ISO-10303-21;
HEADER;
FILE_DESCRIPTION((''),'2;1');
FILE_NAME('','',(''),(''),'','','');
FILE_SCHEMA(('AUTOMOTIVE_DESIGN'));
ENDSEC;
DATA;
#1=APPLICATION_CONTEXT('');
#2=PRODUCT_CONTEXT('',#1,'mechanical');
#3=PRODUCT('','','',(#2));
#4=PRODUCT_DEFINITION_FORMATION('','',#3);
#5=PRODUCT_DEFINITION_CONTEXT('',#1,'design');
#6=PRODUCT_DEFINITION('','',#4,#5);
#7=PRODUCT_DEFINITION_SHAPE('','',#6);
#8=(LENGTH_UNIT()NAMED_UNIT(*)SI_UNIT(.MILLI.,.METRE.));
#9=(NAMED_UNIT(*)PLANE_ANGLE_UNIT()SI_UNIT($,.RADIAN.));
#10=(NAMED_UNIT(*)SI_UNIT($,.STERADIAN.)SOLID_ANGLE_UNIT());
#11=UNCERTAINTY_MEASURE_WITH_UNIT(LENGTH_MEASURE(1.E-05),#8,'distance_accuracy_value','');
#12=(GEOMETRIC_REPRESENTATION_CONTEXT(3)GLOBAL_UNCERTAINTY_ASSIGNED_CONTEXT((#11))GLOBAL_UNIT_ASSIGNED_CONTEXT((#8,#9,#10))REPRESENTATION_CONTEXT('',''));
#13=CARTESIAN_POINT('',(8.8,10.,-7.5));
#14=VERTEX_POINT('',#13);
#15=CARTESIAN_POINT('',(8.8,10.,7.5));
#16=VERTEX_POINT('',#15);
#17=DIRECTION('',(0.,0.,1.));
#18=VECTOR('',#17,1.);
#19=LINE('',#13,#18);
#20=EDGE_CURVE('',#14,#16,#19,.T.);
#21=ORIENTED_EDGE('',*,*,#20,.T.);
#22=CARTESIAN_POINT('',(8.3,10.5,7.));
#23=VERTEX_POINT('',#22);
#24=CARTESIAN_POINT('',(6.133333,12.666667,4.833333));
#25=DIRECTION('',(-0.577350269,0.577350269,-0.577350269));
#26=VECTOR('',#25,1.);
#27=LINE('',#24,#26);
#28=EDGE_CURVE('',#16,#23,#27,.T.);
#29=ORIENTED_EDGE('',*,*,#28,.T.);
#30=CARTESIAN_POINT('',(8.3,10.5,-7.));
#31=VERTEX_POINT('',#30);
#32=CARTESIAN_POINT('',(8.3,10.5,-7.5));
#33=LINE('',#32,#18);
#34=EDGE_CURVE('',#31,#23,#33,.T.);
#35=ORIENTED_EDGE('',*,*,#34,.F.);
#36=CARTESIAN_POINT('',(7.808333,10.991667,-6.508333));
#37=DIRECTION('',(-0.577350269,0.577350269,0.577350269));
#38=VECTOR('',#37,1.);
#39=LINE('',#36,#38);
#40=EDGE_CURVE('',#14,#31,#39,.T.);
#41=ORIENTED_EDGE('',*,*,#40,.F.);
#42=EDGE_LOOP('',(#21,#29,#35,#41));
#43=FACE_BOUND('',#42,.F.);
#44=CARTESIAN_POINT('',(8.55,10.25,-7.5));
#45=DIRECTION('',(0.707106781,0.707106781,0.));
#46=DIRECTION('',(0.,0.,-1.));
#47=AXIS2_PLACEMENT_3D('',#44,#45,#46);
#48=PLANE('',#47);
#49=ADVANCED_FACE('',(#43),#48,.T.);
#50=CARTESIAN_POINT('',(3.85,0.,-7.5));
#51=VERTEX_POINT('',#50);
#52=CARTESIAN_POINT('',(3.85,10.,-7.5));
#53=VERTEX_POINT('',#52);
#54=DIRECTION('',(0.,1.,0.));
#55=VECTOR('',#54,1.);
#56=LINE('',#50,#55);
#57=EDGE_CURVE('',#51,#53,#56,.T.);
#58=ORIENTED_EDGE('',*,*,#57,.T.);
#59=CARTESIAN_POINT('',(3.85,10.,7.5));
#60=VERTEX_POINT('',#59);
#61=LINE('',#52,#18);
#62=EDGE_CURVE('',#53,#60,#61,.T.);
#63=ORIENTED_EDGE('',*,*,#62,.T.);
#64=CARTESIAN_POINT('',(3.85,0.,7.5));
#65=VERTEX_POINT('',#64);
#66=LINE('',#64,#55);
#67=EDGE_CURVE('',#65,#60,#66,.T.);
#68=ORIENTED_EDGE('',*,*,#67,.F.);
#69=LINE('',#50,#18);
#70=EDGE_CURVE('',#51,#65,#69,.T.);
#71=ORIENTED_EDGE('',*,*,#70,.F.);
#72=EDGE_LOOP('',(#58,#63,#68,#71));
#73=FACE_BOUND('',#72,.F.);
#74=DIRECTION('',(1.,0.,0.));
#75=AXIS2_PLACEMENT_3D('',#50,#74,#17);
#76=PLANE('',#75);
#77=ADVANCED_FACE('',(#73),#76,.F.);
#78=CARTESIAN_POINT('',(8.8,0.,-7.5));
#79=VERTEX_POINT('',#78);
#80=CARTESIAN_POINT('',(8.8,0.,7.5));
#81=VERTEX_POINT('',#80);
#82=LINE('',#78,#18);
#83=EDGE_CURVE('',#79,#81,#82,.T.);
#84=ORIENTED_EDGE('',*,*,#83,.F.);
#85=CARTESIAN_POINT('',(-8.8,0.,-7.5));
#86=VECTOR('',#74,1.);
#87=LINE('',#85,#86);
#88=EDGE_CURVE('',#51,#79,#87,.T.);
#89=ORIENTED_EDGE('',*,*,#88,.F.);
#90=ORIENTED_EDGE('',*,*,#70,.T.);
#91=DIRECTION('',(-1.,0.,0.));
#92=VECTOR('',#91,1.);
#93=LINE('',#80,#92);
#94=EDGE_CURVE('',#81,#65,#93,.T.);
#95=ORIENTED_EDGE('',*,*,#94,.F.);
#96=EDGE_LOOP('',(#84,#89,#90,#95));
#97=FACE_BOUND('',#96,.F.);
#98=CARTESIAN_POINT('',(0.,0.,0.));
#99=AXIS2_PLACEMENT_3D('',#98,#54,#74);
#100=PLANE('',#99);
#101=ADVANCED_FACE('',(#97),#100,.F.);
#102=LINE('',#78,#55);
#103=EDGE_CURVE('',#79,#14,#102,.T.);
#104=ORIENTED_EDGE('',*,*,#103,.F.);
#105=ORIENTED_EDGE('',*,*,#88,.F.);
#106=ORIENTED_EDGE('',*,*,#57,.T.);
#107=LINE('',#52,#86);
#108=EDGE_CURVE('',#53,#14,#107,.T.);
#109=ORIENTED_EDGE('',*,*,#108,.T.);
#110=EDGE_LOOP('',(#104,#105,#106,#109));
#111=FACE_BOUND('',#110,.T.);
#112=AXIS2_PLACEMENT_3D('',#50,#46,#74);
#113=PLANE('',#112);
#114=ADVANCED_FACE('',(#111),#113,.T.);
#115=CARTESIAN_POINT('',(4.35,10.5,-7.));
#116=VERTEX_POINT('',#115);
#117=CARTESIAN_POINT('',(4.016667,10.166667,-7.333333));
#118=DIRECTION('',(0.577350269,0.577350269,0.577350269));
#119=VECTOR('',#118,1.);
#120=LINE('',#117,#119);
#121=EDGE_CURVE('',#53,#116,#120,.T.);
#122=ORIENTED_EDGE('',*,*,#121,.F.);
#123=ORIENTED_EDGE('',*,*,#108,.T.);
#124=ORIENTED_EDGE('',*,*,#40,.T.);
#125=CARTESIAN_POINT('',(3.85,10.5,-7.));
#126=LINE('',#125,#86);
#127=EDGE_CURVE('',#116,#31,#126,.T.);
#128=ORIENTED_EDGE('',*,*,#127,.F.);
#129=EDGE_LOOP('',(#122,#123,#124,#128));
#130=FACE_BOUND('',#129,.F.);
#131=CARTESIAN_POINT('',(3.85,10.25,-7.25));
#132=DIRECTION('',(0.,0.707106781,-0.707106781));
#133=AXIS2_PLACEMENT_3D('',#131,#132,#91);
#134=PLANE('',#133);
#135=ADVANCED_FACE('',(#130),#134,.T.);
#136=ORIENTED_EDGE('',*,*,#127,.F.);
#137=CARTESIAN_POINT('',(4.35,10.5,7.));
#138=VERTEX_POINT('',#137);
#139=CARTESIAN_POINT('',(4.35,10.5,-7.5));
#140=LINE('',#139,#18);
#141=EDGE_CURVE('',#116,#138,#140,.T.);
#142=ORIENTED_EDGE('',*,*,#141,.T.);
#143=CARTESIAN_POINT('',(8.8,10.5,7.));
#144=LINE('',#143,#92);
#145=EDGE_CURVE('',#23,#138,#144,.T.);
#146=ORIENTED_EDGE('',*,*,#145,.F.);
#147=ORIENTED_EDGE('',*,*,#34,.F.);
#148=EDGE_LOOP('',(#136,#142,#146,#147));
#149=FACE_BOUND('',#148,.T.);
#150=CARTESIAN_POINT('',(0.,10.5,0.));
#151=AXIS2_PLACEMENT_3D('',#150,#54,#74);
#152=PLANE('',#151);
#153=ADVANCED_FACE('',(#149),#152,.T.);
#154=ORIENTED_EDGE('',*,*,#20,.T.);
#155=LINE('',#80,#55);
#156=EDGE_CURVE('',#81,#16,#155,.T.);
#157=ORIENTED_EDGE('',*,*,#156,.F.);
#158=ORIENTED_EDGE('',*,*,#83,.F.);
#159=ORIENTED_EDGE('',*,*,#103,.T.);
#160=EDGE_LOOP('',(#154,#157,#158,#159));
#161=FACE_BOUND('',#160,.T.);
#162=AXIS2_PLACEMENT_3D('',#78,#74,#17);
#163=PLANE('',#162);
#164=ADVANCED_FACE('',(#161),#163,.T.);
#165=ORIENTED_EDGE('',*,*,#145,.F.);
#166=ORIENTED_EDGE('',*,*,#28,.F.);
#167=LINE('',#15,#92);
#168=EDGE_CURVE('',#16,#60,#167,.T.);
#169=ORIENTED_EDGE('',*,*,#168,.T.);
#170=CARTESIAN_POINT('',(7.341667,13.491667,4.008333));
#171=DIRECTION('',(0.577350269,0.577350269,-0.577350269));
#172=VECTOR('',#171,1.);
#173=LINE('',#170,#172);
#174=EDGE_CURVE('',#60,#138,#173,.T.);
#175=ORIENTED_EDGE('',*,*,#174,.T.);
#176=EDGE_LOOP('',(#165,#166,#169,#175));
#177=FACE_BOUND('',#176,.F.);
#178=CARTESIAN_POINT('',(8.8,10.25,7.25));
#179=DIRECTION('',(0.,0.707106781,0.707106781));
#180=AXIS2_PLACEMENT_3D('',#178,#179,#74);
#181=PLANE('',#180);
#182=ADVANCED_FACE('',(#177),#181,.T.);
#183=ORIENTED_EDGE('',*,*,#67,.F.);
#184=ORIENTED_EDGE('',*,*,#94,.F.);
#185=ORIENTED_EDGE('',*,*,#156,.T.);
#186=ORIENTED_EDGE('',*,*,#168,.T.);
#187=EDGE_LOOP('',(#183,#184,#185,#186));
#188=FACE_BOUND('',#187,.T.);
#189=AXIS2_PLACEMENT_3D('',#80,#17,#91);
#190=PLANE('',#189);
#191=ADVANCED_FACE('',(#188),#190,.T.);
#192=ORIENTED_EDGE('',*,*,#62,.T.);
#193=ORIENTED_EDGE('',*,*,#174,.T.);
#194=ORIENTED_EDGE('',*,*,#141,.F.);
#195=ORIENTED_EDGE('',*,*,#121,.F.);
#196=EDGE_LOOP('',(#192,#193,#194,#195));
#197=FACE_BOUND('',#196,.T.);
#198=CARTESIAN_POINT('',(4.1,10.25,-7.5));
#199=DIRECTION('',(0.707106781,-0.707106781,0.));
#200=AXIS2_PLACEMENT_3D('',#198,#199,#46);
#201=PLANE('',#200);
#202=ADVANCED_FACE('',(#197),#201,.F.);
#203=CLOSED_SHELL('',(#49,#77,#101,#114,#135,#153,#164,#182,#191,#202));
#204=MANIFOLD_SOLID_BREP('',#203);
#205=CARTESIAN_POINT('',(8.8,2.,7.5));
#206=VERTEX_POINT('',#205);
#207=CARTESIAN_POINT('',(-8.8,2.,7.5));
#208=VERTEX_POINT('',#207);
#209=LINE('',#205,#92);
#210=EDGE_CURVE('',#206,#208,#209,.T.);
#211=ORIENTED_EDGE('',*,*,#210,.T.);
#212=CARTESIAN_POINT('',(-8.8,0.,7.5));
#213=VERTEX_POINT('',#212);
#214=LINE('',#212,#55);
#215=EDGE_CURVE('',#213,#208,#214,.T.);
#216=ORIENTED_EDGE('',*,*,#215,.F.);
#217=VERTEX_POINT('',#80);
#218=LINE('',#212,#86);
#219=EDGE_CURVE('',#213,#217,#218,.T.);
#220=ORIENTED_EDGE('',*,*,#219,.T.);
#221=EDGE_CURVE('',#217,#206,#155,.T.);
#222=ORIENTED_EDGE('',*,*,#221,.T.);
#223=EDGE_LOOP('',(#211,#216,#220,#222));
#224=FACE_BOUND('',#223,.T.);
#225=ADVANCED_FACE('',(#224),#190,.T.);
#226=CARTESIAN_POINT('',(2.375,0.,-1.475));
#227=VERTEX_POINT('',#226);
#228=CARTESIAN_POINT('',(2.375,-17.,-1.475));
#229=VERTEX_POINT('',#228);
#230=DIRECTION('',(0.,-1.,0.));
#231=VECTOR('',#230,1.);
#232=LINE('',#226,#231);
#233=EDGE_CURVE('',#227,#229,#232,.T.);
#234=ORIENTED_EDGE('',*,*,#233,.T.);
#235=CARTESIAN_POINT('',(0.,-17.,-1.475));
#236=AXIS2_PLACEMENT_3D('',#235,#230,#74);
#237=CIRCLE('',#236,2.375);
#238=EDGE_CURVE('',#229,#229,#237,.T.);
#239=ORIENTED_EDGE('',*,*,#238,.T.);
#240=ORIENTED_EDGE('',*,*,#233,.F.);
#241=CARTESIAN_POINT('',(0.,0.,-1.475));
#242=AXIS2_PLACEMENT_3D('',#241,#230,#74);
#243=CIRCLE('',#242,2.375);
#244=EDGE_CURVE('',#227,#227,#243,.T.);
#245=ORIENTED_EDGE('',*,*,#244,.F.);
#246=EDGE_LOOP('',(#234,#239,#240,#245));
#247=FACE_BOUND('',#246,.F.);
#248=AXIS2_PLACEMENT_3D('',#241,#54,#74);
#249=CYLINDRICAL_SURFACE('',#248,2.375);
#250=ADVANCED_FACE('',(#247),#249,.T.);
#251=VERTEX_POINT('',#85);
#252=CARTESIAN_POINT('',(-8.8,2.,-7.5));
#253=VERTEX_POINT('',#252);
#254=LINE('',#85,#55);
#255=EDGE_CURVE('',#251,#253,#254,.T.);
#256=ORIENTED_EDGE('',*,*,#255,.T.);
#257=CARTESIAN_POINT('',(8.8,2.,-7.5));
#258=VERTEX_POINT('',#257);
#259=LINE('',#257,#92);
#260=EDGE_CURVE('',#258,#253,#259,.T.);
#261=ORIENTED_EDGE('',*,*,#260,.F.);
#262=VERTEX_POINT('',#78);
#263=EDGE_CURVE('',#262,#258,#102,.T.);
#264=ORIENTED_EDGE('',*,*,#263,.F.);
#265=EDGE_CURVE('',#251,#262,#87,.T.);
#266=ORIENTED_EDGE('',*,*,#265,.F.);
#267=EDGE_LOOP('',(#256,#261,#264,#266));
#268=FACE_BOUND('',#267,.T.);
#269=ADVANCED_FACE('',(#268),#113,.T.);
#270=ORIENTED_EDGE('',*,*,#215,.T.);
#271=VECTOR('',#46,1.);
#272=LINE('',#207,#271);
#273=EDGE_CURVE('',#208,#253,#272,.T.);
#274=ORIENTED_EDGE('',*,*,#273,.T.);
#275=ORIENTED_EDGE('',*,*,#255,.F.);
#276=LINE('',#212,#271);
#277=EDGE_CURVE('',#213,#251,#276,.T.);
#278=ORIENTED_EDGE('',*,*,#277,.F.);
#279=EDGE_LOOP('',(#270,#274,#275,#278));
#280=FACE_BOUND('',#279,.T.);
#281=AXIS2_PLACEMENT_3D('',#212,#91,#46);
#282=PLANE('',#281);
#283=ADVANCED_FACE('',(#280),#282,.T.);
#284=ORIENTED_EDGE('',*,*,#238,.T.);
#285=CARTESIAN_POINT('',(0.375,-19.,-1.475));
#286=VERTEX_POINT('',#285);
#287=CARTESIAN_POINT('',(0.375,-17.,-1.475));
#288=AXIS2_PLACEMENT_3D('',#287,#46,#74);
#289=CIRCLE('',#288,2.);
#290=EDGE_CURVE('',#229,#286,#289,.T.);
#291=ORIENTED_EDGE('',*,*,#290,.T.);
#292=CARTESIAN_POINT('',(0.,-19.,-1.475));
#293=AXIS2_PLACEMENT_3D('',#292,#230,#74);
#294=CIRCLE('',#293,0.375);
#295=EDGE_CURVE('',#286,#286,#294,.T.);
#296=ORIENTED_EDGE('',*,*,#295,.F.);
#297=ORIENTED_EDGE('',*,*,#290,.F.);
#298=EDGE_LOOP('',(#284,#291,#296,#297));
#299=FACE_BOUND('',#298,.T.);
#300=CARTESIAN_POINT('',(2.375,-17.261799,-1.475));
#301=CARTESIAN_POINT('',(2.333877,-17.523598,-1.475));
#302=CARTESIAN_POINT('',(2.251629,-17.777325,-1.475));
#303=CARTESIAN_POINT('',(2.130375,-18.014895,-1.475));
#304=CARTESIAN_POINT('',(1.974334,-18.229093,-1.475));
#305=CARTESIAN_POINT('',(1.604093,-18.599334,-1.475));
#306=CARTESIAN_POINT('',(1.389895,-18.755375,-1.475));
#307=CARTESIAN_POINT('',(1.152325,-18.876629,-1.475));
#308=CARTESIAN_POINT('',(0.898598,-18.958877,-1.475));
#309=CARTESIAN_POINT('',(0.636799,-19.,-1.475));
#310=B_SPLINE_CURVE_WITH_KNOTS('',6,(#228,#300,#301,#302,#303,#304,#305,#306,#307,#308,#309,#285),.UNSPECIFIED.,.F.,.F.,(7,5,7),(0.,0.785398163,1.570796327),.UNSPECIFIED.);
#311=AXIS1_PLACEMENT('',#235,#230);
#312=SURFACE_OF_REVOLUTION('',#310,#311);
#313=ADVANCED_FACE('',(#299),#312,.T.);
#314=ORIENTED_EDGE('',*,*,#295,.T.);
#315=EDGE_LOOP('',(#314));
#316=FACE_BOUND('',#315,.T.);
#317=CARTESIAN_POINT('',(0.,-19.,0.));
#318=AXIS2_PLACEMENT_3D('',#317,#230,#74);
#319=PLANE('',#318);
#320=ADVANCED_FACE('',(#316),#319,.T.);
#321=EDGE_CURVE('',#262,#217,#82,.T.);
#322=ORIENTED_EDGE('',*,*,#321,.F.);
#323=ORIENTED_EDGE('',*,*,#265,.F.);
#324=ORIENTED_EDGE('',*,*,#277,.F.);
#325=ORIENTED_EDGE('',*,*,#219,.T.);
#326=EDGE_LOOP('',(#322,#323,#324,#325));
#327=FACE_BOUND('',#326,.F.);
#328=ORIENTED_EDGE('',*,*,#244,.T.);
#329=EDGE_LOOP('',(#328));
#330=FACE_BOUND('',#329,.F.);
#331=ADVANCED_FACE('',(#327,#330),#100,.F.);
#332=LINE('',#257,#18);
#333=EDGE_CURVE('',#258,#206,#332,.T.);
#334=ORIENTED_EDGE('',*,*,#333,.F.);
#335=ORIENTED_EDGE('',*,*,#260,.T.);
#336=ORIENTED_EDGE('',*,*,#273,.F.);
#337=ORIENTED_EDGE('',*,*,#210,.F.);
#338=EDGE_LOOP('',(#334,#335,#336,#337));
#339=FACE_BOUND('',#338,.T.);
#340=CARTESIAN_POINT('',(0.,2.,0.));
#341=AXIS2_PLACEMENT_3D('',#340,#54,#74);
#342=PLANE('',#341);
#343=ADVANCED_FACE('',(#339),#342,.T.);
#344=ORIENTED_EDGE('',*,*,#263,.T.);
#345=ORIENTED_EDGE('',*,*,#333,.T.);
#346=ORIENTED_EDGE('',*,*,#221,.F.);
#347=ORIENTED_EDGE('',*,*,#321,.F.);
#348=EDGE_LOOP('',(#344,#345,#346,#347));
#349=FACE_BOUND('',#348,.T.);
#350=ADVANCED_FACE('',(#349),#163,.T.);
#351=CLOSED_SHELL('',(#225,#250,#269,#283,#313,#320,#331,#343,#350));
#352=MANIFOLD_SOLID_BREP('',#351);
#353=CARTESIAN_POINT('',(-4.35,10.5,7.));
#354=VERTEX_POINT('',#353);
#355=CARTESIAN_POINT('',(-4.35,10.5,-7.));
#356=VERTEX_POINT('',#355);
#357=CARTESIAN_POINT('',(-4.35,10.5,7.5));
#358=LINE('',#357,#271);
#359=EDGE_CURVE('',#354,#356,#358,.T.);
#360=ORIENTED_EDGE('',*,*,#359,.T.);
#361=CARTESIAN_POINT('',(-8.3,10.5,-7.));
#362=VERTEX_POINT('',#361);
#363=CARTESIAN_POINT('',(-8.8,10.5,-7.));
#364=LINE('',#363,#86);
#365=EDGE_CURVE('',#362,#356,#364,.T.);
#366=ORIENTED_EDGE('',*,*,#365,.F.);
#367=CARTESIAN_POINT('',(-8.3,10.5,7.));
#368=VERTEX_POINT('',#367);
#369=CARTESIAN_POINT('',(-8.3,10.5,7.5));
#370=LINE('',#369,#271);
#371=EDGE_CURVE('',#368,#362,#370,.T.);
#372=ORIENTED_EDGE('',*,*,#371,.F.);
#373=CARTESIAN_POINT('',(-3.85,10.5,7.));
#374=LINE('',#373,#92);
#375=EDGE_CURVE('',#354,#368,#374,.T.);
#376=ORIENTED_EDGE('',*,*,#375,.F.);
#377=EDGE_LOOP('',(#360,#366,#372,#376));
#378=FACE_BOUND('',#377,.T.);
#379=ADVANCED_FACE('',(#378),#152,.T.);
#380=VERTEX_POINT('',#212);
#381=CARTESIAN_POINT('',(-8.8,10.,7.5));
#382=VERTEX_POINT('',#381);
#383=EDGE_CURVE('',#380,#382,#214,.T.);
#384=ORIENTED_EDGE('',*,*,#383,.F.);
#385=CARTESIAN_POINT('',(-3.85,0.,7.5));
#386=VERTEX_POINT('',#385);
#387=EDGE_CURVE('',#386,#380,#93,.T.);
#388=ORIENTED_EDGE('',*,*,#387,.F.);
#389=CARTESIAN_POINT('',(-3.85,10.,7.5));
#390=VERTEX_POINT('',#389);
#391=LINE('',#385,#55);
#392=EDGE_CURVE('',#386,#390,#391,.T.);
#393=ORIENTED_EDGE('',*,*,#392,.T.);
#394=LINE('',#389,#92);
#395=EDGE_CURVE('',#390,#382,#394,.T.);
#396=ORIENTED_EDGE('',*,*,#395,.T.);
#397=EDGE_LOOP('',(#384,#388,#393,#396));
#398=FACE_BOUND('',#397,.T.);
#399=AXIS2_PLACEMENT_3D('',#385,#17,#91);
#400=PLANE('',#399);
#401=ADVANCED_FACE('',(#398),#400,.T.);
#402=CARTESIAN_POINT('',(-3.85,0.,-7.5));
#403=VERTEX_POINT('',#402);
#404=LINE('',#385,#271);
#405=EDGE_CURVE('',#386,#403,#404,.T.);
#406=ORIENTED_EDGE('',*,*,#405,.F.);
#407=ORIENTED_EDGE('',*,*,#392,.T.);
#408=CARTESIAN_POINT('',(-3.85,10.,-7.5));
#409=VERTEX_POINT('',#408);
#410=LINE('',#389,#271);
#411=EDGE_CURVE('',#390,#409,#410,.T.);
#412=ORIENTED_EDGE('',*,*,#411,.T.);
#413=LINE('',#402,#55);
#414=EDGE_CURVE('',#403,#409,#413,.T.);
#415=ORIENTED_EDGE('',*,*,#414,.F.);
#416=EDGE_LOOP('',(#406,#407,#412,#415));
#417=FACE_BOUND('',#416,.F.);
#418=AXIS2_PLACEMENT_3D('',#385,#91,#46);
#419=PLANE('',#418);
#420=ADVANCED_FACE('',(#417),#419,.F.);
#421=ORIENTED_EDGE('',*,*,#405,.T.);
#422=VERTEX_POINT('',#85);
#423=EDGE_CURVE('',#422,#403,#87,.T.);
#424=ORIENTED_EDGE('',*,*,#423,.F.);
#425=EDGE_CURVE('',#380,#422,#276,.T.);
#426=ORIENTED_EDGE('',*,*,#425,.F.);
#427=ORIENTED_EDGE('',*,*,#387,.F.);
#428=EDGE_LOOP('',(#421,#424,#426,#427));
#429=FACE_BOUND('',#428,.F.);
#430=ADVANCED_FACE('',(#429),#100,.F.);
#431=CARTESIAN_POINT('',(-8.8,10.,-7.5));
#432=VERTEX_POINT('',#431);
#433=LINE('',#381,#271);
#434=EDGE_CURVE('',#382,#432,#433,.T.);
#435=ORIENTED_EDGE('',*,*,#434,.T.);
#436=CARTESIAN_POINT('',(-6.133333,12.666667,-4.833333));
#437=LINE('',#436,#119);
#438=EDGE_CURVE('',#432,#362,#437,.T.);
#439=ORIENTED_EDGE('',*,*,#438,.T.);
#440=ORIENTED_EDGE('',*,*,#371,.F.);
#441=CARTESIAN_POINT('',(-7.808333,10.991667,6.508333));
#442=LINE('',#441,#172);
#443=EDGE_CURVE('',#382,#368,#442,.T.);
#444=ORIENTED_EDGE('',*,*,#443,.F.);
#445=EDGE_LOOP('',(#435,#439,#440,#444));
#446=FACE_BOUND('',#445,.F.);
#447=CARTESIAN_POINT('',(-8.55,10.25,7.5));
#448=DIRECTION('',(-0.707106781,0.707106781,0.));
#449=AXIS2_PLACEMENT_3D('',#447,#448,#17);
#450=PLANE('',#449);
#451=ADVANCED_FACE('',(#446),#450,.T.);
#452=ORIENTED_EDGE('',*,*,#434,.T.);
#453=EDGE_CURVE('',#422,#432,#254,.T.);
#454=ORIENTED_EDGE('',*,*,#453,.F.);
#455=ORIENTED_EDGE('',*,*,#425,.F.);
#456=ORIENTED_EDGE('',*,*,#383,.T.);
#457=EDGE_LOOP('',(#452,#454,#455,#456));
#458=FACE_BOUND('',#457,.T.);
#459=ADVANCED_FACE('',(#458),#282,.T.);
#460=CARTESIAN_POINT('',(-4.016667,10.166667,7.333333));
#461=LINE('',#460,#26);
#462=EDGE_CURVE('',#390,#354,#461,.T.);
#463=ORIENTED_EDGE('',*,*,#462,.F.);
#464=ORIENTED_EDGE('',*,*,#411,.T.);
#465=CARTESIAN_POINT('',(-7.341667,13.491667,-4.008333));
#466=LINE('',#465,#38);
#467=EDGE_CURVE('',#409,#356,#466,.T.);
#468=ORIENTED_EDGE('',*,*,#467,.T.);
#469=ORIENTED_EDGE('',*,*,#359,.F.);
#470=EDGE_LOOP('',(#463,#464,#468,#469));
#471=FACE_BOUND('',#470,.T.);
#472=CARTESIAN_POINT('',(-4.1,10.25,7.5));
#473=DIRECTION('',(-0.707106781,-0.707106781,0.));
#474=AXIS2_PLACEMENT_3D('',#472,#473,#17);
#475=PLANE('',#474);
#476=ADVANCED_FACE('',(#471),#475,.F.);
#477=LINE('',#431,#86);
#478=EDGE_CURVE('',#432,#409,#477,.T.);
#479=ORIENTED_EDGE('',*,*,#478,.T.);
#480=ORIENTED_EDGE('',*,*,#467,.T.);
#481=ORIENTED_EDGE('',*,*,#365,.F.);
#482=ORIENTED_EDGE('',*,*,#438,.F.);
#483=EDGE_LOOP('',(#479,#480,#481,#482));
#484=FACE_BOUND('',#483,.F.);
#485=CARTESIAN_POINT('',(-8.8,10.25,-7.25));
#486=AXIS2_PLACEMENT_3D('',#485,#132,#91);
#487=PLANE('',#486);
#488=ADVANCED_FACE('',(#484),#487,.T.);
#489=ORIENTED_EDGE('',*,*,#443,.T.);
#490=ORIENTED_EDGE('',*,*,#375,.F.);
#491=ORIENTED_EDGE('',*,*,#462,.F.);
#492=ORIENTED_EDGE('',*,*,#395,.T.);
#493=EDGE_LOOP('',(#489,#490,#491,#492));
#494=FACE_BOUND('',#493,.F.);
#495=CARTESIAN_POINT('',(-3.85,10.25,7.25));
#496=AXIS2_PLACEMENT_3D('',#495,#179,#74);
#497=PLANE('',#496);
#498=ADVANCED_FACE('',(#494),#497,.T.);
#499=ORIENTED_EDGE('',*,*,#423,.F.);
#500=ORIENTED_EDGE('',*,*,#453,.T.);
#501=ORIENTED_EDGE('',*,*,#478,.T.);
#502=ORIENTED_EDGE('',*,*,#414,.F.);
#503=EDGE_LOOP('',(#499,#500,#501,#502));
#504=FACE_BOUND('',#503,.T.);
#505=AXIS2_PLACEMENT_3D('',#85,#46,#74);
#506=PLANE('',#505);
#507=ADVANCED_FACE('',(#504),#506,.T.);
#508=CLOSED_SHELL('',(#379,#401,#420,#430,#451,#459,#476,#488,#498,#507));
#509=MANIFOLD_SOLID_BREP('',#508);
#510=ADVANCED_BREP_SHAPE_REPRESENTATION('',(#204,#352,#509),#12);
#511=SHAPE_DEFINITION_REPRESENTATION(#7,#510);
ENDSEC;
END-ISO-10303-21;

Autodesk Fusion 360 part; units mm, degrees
sketch "Sketch1" plane through (0, 0, 0) normal (0, 1, 0) x (1, 0, 0)
  line L0 (8.8, -7.5) -> (-8.8, -7.5)
  line L1 (-8.8, -7.5) -> (-8.8, 7.5)
  line L2 (-8.8, 7.5) -> (8.8, 7.5)
  line L3 (8.8, 7.5) -> (8.8, -7.5)
  line L4 (8.8, -7.5) -> (-8.8, 7.5) construction
  line L5 (-8.8, -7.5) -> (8.8, 7.5) construction
  line L6 (3.85, -7.5) -> (-3.85, -7.5)
  line L7 (-3.85, -7.5) -> (-3.85, 7.5)
  line L8 (-3.85, 7.5) -> (3.85, 7.5)
  line L9 (3.85, 7.5) -> (3.85, -7.5)
  line L10 (3.85, -7.5) -> (-3.85, 7.5) construction
  line L11 (-3.85, -7.5) -> (3.85, 7.5) construction
  dimension "d1" = 17.6
  dimension "d2" = 15
  dimension "d3" = 7.7
  dimension "d4" = 15
extrude "Extrude1" add sketch "Sketch1" along normal blind 10.5 contours L0 L2 L3 L9 | L0 L1 L2 L7 makes body 1 at (-8.8, 3.5, 2.5) makes body 2 at (8.8, 3.5, -2.5)
extrude "Extrude2" add sketch "Sketch1" along normal blind 2 separate body makes body 3
chamfer "Chamfer1" distance 0.5 angle 45 8 edges at (-8.8, 10.5, 0) (-3.85, 10.5, 0) (-6.325, 10.5, -7.5) (-6.325, 10.5, 7.5) (3.85, 10.5, 0) (8.8, 10.5, 0) (6.325, 10.5, -7.5) (6.325, 10.5, 7.5) on bodies 1 2
sketch "Sketch2" plane through (0, 0, 0) normal (0, -1, 0) x (1, 0, 0)
  line L0 (-8.8, -7.5) -> (8.8, -7.5)
  line L1 (8.8, -7.5) -> (8.8, 7.5)
  line L2 (8.8, 7.5) -> (-8.8, 7.5)
  line L3 (-8.8, 7.5) -> (-8.8, -7.5)
  circle A0 centre (0, -1.475) radius 2.375
  dimension "d10" = 4.75
  dimension "d11" = 8.975
extrude "Extrude3" add sketch "Sketch2" along normal blind 19 contours A0 bodies 3
fillet "Fillet1" radius 2 1 edges at (-2.2143, -19, -2.3338) on bodies 3
